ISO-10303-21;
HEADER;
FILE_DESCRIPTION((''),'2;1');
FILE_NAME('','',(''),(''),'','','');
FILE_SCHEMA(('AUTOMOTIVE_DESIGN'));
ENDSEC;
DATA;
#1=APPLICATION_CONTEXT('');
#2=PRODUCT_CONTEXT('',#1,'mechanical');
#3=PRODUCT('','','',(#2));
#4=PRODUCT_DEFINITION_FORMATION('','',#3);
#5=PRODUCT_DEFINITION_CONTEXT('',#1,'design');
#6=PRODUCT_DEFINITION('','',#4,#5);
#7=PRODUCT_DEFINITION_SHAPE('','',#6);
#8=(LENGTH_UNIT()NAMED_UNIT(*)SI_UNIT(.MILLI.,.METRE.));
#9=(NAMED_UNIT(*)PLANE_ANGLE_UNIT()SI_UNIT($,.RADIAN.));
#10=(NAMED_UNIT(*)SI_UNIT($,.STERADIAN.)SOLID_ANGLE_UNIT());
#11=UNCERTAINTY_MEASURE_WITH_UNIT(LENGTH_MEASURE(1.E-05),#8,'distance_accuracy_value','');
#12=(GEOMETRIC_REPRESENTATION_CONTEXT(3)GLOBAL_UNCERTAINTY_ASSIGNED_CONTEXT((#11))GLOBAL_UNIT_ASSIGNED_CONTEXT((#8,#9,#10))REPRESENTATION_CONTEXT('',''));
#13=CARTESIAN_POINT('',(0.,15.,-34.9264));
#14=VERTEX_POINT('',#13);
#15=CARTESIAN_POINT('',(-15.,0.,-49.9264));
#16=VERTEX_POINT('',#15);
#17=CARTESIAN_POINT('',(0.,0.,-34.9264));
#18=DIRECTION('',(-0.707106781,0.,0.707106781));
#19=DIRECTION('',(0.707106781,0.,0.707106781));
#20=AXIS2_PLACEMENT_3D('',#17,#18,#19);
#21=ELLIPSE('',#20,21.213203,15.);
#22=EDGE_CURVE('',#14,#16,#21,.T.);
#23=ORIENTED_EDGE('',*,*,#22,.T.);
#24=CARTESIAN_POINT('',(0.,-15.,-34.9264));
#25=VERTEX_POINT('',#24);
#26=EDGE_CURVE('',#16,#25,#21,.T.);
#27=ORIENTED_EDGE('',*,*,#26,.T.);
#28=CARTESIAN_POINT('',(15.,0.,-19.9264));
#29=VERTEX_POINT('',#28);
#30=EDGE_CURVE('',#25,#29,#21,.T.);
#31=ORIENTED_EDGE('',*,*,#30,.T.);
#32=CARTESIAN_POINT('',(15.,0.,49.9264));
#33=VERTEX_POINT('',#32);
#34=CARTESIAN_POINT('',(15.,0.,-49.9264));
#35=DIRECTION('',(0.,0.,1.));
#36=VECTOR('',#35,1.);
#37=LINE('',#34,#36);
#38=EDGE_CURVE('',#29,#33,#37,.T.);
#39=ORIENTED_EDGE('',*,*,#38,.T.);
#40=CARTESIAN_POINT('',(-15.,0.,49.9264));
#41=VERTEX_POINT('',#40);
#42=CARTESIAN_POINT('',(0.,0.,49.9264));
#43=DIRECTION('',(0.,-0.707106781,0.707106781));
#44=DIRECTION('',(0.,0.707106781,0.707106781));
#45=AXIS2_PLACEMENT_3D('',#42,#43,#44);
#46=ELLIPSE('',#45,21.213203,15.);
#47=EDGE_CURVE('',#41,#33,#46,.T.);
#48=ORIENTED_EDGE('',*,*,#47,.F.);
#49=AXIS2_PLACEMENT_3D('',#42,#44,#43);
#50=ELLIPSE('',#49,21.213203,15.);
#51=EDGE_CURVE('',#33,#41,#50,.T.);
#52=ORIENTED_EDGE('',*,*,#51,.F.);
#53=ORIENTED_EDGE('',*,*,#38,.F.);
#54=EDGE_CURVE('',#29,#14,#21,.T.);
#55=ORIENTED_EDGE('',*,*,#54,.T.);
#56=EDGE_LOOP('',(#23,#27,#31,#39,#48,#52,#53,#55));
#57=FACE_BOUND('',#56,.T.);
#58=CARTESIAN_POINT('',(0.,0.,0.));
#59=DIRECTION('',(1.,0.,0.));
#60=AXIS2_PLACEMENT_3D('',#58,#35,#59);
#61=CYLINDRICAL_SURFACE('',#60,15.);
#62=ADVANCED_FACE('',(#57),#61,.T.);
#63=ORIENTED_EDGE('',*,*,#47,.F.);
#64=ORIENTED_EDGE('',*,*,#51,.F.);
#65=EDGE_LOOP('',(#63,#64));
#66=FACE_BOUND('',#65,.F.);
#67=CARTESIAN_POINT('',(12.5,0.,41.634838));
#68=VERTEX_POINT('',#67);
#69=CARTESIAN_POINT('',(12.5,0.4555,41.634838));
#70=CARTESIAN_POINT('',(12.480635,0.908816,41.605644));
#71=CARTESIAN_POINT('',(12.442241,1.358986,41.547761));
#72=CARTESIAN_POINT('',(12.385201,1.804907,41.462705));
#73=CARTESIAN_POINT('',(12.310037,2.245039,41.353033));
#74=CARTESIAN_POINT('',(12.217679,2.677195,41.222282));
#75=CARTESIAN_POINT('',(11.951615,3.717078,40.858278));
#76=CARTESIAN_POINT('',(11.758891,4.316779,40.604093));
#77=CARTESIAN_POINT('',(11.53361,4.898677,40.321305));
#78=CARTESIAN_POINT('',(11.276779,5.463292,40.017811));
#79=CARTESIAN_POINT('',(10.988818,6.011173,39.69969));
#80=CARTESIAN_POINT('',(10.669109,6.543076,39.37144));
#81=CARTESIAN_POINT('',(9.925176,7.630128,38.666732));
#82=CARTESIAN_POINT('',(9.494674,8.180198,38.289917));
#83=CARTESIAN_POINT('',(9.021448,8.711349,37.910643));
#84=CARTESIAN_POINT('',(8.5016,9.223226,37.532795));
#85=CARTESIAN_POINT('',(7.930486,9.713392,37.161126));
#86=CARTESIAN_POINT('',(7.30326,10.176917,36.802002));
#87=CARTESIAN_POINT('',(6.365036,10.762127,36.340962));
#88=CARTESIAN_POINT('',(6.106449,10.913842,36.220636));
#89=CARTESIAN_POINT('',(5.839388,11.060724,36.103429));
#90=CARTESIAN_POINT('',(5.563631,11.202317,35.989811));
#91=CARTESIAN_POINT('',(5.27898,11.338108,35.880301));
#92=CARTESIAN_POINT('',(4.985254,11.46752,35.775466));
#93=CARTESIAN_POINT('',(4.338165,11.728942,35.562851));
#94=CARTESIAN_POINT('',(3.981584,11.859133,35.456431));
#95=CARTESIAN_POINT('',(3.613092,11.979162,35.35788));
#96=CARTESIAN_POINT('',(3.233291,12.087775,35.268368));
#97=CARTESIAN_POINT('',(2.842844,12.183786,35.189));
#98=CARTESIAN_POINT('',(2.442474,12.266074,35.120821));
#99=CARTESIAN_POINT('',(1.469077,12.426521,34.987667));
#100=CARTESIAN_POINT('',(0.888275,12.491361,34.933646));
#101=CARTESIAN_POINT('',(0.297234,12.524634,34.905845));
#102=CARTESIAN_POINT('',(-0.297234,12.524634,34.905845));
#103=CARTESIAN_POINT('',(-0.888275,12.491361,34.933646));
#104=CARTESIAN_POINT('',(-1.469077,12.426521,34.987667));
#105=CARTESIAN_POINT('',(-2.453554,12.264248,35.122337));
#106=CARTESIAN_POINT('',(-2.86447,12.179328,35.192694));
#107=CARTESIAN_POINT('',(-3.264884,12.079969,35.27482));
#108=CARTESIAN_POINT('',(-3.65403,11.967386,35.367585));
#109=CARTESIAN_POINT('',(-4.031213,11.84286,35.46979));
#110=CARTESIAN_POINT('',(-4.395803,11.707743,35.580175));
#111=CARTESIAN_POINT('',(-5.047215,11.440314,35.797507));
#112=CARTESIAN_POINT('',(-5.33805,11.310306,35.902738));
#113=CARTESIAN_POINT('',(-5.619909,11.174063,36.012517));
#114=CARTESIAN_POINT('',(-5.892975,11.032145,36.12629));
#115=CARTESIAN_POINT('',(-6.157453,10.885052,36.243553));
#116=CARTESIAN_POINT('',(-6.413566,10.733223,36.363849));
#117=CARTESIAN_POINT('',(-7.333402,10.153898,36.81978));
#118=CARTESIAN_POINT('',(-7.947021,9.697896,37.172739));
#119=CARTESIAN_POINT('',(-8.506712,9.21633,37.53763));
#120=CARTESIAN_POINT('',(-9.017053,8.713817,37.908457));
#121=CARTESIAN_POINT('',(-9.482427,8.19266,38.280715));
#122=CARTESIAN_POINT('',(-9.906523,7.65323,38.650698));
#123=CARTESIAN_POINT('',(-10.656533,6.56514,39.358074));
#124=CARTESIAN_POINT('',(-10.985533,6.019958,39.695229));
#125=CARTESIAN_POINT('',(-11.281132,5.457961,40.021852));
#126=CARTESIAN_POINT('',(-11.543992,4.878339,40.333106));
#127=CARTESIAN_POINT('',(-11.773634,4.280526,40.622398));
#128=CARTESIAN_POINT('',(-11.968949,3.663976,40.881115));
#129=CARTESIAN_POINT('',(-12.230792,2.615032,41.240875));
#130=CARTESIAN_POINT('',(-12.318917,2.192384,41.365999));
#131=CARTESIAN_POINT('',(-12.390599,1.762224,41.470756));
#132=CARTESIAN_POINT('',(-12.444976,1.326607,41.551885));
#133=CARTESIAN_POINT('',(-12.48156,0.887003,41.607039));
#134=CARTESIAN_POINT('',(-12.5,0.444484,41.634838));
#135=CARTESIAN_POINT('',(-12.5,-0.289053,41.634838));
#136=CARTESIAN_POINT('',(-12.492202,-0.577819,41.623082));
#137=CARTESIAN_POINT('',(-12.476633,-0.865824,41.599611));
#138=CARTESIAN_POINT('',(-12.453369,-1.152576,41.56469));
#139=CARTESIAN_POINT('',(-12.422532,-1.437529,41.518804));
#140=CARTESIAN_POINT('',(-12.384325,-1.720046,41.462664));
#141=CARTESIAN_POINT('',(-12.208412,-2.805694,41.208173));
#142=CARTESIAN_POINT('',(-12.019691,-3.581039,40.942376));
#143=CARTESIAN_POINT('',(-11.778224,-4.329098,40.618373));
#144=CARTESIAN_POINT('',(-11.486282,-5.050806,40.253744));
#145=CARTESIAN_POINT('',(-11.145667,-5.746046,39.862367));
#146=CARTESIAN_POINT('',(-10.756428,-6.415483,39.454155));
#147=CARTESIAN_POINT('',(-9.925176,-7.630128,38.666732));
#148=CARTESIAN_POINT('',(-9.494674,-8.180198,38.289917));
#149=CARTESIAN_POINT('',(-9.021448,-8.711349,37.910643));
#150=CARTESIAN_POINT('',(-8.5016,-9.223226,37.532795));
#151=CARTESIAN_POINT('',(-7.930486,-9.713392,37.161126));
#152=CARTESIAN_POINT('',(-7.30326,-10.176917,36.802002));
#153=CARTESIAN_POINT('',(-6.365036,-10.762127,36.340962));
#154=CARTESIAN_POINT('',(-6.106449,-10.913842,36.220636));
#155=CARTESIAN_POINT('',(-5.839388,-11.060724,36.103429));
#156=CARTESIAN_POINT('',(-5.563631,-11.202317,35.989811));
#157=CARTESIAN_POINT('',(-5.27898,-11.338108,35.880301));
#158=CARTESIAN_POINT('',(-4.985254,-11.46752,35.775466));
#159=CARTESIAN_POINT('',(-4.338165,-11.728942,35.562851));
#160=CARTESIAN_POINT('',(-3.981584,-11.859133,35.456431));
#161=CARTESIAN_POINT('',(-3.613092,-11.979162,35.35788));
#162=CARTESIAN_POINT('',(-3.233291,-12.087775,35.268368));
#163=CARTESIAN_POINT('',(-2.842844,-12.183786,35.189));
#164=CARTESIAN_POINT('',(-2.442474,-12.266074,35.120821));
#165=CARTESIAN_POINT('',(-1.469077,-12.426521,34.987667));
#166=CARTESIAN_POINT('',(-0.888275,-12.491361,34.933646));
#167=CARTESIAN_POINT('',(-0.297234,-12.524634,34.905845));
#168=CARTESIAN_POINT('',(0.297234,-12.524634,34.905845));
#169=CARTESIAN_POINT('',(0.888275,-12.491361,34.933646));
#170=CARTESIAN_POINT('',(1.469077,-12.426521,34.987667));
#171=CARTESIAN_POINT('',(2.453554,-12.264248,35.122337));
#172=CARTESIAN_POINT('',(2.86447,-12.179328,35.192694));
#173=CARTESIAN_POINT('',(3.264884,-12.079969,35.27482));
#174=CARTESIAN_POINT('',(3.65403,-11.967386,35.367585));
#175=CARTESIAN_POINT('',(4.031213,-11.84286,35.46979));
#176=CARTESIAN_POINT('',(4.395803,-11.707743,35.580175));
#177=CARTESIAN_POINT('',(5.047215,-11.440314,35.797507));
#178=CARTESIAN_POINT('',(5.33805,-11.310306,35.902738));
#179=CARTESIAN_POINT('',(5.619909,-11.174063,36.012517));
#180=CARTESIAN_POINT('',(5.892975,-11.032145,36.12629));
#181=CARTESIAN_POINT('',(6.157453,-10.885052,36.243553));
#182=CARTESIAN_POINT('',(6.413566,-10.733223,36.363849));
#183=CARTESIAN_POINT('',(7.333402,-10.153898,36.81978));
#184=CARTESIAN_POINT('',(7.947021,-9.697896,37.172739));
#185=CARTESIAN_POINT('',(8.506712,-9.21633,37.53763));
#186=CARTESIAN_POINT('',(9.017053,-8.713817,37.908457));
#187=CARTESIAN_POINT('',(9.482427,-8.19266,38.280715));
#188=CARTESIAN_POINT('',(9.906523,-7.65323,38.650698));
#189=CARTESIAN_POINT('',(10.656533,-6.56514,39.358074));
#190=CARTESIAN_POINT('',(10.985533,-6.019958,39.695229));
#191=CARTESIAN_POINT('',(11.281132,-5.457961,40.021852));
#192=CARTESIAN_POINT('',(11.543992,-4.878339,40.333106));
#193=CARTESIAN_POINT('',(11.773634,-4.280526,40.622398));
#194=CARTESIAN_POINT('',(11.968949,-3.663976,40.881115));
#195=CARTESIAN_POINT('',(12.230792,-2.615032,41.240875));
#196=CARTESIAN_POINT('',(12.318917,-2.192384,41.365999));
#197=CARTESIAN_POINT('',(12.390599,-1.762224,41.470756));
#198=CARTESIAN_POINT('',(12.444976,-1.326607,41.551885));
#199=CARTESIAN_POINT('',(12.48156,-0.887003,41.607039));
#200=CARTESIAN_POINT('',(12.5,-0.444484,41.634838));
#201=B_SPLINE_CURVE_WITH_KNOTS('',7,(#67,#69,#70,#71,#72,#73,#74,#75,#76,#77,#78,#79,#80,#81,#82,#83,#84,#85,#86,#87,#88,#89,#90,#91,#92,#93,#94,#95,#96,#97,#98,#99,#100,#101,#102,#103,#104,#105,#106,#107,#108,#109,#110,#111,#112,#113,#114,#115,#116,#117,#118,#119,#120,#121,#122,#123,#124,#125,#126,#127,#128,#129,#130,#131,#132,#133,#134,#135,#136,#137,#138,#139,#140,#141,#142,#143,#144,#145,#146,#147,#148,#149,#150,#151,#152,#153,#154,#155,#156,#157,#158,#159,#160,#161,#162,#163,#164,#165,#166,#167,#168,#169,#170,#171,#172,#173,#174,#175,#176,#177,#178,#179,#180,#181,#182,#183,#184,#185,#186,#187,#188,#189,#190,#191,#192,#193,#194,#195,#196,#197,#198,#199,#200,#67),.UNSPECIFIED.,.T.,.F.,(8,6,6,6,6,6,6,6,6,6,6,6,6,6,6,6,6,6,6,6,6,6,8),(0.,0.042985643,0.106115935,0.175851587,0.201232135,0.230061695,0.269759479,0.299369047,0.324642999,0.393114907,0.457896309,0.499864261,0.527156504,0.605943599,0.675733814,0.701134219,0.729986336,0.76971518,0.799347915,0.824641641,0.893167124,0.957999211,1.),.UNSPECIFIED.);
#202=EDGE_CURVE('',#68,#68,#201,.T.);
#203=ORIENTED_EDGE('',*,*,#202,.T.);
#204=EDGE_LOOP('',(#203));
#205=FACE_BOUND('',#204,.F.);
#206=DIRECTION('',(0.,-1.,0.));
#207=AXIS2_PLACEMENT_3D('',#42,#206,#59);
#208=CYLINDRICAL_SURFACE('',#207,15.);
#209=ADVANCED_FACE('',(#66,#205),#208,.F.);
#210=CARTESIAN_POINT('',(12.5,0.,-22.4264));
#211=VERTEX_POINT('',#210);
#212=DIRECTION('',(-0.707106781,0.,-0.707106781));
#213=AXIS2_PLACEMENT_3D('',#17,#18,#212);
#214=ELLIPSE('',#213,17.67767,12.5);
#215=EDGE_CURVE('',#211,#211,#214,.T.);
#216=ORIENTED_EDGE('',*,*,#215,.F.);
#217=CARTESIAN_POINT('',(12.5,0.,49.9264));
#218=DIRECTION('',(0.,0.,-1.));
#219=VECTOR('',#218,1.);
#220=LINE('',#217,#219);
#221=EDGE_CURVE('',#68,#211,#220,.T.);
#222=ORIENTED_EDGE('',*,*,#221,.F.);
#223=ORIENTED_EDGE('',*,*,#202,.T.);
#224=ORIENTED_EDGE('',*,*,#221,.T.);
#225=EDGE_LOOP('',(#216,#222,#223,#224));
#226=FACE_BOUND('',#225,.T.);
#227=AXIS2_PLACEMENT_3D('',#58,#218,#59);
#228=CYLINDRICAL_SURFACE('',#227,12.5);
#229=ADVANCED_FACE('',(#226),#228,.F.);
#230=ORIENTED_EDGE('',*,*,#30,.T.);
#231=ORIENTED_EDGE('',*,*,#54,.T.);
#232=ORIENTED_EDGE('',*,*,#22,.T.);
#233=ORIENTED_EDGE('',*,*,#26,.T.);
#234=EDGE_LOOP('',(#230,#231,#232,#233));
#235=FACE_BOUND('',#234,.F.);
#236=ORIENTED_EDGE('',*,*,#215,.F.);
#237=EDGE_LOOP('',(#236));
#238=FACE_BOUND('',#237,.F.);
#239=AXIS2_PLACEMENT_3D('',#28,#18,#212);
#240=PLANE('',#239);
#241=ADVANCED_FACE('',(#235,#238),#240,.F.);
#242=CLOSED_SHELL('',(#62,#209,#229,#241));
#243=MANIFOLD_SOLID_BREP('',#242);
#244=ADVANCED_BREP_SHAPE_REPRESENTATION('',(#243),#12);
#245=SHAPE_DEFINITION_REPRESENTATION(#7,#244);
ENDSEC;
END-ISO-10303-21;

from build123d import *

# Parameters (mm, degrees)
F0_R     = 15
F0_R_2   = 12.5
F1_DEPTH = 49.9264
F2_R     = 15
F3_DEPTH = 25
F5_DEPTH = 15
F6_DEPTH = 25


with BuildPart() as f1:
    # F0 (on Top) → F1 (new body, symmetric)
    with BuildSketch(Plane.XY):
        Circle(F0_R)
        Circle(F0_R_2, mode=Mode.SUBTRACT)
    extrude(amount=F1_DEPTH, both=True)

    # F2 (on Front) → F3 (cut, symmetric)
    with BuildSketch(Plane.XZ):
        with Locations((0, 49.9264)):
            Circle(F2_R)
    extrude(amount=F3_DEPTH, both=True, mode=Mode.SUBTRACT)

    # F4 (on Front) → F5 (cut, symmetric)
    with BuildSketch(Plane.XZ):
        Polygon((15, -19.9264), (-15, -49.9264), (15, -49.9264), align=None)
    extrude(amount=F5_DEPTH, both=True, mode=Mode.SUBTRACT)

    # F4 (on Front) → F6 (cut, symmetric)
    with BuildSketch(Plane.XZ):
        Polygon((15, -19.9264), (-15, -49.9264), (15, -49.9264), align=None)
    extrude(amount=F6_DEPTH, both=True, mode=Mode.SUBTRACT)


solid = f1.part
